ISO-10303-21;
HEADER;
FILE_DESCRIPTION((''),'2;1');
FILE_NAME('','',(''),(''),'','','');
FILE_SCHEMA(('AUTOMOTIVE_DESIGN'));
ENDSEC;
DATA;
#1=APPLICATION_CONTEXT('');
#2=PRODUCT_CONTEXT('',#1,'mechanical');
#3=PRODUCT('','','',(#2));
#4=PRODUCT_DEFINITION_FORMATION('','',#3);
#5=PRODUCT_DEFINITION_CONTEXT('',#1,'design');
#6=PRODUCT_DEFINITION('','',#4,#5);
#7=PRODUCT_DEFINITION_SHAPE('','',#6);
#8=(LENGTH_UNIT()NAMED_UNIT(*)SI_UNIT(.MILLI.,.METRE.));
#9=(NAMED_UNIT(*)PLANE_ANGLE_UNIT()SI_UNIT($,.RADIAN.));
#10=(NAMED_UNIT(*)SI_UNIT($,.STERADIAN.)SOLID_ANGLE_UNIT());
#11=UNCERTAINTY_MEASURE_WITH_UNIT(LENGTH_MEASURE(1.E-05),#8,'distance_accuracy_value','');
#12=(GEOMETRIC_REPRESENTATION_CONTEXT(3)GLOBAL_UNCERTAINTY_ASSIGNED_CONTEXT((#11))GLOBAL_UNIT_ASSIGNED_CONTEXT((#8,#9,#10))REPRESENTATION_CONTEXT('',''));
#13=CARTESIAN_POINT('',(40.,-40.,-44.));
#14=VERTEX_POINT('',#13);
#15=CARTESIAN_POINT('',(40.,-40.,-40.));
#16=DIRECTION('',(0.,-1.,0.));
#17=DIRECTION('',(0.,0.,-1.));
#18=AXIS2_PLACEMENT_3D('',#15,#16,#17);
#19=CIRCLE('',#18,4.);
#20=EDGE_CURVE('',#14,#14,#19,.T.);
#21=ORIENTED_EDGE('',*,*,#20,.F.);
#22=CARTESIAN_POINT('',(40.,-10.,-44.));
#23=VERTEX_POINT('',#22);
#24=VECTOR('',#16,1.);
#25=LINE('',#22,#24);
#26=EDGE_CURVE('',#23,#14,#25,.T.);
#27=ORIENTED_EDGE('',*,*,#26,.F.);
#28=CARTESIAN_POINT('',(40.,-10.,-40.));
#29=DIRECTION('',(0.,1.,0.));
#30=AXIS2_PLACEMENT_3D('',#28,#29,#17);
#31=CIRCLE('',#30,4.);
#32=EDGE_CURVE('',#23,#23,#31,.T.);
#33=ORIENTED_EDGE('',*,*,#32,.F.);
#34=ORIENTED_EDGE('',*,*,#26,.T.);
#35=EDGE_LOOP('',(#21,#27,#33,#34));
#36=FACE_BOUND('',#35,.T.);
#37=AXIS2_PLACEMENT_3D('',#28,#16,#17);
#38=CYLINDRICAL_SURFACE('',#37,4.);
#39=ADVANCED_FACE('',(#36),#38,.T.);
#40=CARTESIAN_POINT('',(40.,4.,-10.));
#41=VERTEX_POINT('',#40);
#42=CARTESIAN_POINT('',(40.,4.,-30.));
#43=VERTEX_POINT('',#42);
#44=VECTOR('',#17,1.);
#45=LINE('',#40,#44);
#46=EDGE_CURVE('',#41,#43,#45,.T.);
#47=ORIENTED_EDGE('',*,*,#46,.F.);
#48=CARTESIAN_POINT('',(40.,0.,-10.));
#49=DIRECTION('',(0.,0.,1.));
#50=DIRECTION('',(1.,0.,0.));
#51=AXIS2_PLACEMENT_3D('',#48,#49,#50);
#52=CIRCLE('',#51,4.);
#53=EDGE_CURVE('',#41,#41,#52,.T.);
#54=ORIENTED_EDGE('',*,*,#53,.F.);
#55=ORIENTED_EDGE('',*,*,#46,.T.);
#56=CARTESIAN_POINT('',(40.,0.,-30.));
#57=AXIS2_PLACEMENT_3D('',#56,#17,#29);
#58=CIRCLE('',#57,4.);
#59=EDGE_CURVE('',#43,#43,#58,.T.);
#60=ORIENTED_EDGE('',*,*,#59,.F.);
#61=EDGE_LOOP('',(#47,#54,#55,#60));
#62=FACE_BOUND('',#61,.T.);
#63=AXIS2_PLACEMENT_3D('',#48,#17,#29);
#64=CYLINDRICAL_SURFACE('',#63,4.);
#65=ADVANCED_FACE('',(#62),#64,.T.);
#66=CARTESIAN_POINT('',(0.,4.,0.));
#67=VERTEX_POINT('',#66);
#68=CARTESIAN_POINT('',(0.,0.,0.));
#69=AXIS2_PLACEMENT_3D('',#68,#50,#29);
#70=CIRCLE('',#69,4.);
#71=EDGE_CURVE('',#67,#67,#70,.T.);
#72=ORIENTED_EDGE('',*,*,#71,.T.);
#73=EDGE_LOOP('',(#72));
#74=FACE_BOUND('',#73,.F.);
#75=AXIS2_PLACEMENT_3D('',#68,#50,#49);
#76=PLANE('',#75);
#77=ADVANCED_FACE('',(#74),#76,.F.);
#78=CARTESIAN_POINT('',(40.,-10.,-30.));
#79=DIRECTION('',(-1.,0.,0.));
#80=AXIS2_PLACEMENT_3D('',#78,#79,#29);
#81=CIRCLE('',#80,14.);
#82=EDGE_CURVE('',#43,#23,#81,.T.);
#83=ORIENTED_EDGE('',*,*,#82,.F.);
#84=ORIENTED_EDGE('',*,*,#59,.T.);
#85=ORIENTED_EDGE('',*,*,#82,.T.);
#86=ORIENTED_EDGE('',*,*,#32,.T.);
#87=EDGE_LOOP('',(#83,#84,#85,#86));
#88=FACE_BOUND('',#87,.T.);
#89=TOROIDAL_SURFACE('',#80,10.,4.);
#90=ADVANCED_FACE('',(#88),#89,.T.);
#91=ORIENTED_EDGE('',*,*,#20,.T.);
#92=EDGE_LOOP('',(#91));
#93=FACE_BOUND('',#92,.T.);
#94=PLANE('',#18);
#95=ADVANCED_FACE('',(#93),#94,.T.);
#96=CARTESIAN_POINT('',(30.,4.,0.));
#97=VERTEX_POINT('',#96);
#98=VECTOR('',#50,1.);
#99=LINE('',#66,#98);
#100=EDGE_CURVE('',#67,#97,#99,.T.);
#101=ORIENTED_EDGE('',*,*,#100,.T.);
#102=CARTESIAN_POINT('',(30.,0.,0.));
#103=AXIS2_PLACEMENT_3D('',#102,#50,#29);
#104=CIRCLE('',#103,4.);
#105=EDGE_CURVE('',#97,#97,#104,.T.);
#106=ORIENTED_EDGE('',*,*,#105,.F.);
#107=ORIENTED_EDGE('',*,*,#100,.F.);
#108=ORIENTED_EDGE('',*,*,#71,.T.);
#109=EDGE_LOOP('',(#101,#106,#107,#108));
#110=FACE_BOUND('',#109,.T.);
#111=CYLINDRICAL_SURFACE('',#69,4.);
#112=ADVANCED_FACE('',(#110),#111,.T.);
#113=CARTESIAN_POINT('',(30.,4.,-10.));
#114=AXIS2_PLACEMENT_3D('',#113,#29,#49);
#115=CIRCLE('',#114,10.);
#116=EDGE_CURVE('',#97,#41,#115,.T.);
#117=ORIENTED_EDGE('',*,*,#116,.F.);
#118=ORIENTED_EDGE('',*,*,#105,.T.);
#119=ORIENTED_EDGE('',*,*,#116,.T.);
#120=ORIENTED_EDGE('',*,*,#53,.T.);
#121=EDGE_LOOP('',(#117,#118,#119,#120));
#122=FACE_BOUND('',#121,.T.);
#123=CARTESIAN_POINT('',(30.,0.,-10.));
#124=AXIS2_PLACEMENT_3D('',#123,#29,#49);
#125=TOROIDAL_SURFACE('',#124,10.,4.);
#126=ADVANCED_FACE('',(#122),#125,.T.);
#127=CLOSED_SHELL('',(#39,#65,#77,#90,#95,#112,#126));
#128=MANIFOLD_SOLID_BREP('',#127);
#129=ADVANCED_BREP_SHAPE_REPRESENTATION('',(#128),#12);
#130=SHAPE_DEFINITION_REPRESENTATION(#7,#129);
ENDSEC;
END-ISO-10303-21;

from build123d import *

# Parameters (mm, degrees)
F1_R = 4


with BuildPart() as f4:
    # F4: sweep along a path in F0, F3
    with BuildLine(Plane.XZ) as f4_path:
        Line((0, 0), (30, 0))
        ThreePointArc((30, 0), (37.0710678119, -2.9289321881), (40, -10))
        Line((40, -10), (40, -20))
    with BuildLine(Plane.YZ.offset(40)) as f4_path_2:
        Line((0, -20), (0, -30))
        ThreePointArc((0, -30), (-2.9289321881, -37.0710678119), (-10, -40))
        Line((-10, -40), (-40, -40))
    # F1 (on Right) → F4 (sweep)
    with BuildSketch(Plane.YZ):
        Circle(F1_R)
    sweep(path=f4_path.line + f4_path_2.line)


solid = f4.part
